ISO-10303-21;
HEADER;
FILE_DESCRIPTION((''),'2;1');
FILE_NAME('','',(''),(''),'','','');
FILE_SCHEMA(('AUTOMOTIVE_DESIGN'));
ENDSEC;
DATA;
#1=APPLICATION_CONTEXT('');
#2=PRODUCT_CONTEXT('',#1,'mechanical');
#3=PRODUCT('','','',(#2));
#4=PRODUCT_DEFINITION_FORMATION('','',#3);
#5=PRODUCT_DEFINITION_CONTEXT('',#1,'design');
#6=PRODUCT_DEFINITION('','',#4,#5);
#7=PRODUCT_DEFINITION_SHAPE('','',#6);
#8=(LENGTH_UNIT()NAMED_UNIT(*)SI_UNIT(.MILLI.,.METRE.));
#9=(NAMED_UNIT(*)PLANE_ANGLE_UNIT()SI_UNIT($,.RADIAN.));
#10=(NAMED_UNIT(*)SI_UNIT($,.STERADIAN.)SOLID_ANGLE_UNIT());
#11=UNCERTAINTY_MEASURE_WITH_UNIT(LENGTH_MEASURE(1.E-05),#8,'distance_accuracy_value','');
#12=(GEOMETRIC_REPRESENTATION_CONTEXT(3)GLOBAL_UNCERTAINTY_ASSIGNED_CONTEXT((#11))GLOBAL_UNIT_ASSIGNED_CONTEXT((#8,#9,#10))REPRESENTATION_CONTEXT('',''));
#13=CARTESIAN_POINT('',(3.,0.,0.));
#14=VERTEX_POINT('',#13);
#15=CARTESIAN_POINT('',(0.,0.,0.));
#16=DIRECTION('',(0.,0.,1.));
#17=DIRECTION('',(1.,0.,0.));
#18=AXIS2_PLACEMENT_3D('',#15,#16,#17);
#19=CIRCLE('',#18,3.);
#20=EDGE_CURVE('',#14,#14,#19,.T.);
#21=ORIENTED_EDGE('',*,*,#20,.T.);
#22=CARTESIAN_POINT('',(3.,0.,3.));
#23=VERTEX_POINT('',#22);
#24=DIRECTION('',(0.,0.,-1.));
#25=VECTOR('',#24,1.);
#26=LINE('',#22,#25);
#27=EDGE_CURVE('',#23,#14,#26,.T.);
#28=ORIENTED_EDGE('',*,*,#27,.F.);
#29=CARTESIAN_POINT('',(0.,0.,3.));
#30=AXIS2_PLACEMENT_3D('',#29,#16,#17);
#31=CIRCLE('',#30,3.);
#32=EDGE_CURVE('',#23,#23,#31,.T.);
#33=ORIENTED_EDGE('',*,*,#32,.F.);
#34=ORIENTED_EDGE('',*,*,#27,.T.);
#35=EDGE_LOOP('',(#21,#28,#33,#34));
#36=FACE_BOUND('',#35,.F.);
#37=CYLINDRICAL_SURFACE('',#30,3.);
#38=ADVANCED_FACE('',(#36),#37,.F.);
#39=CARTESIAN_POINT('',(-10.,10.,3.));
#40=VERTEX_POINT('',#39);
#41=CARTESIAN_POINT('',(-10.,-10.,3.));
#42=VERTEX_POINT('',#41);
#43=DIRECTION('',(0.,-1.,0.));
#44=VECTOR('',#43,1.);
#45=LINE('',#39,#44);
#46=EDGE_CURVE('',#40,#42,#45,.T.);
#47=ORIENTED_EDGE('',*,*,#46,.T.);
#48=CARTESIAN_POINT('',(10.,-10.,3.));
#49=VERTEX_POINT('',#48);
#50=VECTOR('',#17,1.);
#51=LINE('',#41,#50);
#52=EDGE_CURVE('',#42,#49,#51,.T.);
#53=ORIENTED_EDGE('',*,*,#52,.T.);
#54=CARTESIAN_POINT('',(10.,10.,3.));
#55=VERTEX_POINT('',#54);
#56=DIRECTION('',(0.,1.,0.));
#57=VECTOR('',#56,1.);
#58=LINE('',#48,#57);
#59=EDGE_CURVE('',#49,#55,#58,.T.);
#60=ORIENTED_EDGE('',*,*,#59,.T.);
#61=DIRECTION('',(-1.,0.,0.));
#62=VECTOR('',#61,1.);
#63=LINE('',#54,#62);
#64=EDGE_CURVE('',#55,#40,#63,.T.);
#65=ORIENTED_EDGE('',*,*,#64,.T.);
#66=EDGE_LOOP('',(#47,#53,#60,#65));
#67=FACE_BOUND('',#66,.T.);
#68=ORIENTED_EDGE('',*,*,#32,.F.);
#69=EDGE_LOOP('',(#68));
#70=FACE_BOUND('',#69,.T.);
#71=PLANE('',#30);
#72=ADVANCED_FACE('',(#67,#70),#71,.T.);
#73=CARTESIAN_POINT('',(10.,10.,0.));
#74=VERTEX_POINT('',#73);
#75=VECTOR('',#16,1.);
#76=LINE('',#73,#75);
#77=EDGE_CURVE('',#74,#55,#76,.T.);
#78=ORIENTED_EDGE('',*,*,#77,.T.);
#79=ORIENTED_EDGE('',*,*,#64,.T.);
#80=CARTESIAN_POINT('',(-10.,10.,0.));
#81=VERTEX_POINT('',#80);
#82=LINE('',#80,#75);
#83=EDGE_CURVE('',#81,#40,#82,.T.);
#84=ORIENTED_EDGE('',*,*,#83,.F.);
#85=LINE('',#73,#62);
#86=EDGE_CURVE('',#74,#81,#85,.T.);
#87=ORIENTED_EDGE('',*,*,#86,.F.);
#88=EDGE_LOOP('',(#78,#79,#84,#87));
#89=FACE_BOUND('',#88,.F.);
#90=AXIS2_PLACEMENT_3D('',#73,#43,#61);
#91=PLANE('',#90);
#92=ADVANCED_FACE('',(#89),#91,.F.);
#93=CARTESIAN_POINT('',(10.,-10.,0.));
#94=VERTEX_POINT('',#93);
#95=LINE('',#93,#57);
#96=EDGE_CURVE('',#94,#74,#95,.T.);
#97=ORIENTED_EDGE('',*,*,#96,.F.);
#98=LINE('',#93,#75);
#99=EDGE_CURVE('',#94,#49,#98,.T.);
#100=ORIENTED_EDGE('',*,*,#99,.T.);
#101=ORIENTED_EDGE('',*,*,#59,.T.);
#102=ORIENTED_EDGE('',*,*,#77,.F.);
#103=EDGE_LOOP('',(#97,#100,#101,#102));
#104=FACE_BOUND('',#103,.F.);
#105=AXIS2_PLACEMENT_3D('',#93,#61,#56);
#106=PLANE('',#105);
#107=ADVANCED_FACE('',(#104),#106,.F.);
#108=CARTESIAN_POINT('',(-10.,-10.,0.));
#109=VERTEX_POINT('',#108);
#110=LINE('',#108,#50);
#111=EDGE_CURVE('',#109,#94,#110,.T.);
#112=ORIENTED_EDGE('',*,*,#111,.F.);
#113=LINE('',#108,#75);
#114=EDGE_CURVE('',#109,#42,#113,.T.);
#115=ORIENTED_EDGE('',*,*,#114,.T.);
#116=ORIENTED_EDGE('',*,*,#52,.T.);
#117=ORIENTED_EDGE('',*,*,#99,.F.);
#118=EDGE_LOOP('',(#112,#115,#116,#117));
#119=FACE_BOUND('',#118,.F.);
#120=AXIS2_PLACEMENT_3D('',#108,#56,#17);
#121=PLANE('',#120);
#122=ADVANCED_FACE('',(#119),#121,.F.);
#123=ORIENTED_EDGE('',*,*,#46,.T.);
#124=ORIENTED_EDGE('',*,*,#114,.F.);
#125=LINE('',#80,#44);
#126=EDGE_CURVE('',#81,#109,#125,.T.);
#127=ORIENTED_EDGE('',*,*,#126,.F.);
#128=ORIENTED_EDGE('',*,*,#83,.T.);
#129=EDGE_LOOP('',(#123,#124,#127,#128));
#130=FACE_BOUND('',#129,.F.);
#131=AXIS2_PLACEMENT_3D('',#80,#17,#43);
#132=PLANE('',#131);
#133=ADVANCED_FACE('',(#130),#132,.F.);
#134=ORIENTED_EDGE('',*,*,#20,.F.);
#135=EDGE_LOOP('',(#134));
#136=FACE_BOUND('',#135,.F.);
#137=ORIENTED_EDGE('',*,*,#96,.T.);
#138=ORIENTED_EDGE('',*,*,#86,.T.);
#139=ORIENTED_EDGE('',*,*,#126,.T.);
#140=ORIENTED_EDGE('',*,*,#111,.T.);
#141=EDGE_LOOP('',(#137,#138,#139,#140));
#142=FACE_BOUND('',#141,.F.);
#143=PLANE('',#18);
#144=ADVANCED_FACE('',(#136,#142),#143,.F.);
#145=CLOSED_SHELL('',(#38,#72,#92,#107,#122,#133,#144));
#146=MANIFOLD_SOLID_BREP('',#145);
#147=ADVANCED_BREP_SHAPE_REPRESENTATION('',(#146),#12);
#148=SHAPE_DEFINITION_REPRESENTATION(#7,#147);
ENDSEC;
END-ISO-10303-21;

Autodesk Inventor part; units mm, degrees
ref_plane "YZ Plane" through (0, 0, 0) normal (1, 0, 0) x (0, 1, 0)
ref_plane "XZ Plane" through (0, 0, 0) normal (0, 1, 0) x (-1, 0, 0)
ref_plane "XY Plane" through (0, 0, 0) normal (0, 0, 1) x (1, 0, 0)
sketch "Sketch66" plane through (0, 0, 0) normal (0, 0, 1) x (1, 0, 0)
  line L0 (-10, -10) -> (10, -10)
  line L1 (10, -10) -> (10, 10)
  line L2 (10, 10) -> (-10, 10)
  line L3 (-10, 10) -> (-10, -10)
  line L4 (-10, -10) -> (10, 10) construction
  line L5 (10, -10) -> (-10, 10) construction
  point P0 (0, 0)
  dimension "d179" = 20
  dimension "d180" = 20
extrude "Extrusion45" add sketch "Sketch66" along normal blind 3
sketch "Sketch67" plane through (0, 0, 3) normal (0, 0, 1) x (1, 0, 0)
  circle A0 centre (0, 0) radius 3
  dimension "d183" = 6
extrude "Extrusion46" cut sketch "Sketch67" against normal blind 3
properties part number "magnet_test_print_v2"
